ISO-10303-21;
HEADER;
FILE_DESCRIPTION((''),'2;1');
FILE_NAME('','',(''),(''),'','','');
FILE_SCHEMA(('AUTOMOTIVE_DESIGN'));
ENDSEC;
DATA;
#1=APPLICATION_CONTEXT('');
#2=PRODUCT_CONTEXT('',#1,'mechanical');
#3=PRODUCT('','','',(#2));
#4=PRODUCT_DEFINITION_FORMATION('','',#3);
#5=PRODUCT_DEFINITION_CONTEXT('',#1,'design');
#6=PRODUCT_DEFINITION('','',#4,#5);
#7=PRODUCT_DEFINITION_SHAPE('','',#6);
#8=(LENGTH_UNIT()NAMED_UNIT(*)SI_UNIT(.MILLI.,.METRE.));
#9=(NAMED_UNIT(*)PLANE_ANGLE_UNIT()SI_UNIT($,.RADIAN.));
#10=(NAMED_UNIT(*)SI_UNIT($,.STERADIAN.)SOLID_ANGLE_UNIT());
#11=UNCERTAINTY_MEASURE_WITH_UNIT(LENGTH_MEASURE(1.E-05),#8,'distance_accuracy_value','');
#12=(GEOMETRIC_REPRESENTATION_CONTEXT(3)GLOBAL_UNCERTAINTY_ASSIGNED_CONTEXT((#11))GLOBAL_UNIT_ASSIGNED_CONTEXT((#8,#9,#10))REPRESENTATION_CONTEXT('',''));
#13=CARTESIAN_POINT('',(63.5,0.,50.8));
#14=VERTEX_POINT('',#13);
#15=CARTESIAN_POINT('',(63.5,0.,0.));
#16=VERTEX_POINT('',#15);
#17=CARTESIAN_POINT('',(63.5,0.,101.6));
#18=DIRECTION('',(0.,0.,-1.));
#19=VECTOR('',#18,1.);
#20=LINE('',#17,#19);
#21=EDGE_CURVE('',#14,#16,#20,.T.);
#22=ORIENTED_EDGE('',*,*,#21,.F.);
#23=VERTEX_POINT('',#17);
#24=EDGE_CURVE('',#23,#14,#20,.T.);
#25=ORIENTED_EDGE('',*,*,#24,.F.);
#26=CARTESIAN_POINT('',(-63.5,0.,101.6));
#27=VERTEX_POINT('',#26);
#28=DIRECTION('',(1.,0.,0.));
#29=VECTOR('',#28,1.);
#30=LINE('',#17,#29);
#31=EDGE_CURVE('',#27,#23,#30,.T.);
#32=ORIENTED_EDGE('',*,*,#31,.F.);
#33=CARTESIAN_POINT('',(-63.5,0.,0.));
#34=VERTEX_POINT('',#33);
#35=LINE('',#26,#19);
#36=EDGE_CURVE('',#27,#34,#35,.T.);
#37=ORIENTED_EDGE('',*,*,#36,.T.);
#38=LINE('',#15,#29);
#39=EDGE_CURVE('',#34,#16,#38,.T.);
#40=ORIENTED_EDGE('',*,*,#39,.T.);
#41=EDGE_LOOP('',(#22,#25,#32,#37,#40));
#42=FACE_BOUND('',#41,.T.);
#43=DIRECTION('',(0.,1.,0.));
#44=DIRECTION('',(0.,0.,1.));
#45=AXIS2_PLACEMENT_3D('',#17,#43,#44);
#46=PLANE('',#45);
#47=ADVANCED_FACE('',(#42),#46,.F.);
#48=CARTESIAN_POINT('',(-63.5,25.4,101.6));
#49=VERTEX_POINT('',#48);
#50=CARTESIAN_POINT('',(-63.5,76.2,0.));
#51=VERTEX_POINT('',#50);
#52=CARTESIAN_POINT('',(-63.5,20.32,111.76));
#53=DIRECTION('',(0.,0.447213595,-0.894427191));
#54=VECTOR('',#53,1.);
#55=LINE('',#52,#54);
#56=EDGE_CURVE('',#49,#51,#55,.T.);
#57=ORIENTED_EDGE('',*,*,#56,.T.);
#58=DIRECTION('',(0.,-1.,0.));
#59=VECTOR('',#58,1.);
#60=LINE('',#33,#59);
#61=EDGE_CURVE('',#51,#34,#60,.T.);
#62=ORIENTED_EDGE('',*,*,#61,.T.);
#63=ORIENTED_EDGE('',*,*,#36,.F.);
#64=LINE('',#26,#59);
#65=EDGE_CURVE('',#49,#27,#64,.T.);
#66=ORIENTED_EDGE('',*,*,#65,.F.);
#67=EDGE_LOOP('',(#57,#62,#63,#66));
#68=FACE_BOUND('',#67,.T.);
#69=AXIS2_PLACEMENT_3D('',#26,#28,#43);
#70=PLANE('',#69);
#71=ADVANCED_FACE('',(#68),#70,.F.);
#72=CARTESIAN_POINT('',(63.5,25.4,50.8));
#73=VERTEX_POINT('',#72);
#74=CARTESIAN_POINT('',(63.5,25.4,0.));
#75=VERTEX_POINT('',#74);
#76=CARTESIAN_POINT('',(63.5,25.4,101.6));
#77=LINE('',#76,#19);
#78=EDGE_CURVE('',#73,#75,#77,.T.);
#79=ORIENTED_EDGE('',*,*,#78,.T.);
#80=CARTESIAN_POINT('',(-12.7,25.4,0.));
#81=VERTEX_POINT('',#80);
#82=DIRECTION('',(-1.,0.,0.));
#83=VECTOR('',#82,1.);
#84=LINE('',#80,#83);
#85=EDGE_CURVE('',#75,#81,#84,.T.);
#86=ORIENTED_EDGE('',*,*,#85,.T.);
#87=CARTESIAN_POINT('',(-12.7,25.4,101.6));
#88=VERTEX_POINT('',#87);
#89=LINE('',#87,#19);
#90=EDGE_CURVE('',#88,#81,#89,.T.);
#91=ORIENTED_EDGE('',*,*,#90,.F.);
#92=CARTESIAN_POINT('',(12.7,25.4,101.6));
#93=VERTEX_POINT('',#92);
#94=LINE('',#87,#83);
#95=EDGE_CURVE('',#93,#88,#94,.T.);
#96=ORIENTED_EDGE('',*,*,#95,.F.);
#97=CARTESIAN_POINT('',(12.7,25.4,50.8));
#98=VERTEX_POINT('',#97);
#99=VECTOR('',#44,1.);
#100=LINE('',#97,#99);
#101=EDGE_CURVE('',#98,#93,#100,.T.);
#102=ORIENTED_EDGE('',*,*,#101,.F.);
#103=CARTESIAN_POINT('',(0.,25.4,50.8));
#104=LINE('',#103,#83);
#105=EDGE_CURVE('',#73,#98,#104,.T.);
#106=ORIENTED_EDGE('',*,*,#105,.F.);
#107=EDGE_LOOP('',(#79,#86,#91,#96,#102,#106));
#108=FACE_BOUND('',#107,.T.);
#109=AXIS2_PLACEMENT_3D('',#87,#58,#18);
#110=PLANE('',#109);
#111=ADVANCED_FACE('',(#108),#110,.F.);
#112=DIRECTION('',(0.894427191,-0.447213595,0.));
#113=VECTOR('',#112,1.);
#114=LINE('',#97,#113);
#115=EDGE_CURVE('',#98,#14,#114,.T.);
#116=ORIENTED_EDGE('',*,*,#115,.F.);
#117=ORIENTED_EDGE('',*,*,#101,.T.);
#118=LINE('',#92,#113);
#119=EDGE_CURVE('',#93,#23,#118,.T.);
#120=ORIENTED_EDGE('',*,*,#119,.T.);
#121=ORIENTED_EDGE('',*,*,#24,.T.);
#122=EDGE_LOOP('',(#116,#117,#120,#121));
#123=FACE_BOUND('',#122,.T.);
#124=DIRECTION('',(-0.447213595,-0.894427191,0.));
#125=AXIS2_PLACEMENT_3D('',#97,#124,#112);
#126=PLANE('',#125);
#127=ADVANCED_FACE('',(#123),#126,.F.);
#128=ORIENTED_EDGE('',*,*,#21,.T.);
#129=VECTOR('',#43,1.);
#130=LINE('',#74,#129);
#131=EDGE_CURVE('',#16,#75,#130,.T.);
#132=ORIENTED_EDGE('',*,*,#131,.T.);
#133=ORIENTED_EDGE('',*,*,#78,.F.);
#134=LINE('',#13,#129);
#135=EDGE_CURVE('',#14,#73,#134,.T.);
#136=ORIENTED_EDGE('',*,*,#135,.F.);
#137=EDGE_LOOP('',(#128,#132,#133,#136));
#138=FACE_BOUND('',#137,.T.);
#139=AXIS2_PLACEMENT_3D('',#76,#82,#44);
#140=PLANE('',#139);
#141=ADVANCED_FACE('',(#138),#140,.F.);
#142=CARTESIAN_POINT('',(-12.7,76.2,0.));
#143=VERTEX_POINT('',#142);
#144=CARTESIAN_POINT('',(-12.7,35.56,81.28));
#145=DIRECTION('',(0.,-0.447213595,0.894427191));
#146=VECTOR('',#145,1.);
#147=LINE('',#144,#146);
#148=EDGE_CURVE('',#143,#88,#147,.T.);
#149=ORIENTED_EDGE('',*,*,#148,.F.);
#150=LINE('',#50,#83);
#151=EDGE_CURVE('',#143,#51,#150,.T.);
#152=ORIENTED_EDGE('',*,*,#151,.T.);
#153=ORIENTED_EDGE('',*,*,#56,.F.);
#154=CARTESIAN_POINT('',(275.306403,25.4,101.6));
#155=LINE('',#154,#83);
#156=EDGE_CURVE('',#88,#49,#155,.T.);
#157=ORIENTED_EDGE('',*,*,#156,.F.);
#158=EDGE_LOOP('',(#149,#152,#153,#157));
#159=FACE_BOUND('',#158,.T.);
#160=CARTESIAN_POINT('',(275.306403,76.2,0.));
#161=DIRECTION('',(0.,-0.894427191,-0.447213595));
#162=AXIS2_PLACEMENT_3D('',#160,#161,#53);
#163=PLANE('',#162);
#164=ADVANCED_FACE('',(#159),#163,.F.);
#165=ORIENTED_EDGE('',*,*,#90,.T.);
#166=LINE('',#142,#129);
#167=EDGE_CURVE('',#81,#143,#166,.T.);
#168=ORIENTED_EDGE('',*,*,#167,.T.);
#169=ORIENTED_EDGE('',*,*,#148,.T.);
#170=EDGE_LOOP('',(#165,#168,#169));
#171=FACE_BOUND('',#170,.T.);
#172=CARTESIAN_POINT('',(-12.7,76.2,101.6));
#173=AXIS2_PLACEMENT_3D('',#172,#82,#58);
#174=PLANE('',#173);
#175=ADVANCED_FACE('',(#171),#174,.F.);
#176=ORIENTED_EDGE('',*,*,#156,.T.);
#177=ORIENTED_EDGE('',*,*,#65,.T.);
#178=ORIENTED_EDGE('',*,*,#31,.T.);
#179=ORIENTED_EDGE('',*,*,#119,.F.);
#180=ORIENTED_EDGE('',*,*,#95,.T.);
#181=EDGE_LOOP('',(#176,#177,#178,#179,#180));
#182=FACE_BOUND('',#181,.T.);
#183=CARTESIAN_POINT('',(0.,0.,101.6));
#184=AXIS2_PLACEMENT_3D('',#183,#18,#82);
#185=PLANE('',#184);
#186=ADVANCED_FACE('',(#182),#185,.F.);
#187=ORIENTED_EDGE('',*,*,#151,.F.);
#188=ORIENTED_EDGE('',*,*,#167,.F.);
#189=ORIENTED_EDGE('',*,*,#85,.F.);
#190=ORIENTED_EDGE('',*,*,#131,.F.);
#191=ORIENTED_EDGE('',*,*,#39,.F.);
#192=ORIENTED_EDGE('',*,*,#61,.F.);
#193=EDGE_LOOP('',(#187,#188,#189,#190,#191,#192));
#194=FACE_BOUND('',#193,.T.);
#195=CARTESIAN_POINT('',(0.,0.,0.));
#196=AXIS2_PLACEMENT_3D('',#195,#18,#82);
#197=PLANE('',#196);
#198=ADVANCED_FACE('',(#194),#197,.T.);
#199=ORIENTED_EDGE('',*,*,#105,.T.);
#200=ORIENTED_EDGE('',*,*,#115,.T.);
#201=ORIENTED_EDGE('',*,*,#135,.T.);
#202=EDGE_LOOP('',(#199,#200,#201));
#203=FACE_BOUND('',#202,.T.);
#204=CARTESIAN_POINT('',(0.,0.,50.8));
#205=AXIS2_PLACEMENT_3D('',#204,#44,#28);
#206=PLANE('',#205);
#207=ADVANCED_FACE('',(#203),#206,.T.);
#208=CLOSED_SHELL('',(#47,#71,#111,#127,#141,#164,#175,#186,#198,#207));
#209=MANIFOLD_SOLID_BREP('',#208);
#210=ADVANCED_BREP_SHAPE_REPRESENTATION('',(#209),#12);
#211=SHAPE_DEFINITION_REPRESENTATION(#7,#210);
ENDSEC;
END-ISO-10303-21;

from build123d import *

# Parameters (mm, degrees)
BOSS_EXTRUDE1_DEPTH     = 101.6
CUT_EXTRUDE2_DEPTH      = 77.2
CUT_EXTRUDE2_DEPTH_BACK = 51.8
CUT_EXTRUDE6_DEPTH      = 50.8


with BuildPart() as part:
    # Sketch1 → Boss-Extrude1 (new body)
    with BuildSketch(Plane.XY):
        Polygon((-63.5, 76.2), (-12.7, 76.2), (-12.7, 25.4), (63.5, 25.4), (63.5, 0), (-63.5, 0), align=None)
    extrude(amount=BOSS_EXTRUDE1_DEPTH)

    # Sketch2 → Cut-Extrude2 (cut, two sides)
    with BuildSketch(Plane(origin=(-12.7, 0, 0), x_dir=(0, 0, -1), z_dir=(1, 0, 0))) as cut_extrude2_sk:
        Polygon((236.128778424, 194.264389212), (0, 76.2), (-101.6, 25.4), (-337.728778424, -92.664389212), (-573.857556848, 379.593167636), (0, 666.52194606), align=None)
    extrude(amount=CUT_EXTRUDE2_DEPTH, mode=Mode.SUBTRACT)
    extrude(cut_extrude2_sk.sketch, amount=-CUT_EXTRUDE2_DEPTH_BACK, mode=Mode.SUBTRACT)

    # Sketch3 → Cut-Extrude6 (cut)
    with BuildSketch(Plane.XY.offset(101.6)):
        Polygon((63.5, 25.4), (12.7, 25.4), (63.5, 0), align=None)
    extrude(amount=-CUT_EXTRUDE6_DEPTH, mode=Mode.SUBTRACT)


solid = part.part
